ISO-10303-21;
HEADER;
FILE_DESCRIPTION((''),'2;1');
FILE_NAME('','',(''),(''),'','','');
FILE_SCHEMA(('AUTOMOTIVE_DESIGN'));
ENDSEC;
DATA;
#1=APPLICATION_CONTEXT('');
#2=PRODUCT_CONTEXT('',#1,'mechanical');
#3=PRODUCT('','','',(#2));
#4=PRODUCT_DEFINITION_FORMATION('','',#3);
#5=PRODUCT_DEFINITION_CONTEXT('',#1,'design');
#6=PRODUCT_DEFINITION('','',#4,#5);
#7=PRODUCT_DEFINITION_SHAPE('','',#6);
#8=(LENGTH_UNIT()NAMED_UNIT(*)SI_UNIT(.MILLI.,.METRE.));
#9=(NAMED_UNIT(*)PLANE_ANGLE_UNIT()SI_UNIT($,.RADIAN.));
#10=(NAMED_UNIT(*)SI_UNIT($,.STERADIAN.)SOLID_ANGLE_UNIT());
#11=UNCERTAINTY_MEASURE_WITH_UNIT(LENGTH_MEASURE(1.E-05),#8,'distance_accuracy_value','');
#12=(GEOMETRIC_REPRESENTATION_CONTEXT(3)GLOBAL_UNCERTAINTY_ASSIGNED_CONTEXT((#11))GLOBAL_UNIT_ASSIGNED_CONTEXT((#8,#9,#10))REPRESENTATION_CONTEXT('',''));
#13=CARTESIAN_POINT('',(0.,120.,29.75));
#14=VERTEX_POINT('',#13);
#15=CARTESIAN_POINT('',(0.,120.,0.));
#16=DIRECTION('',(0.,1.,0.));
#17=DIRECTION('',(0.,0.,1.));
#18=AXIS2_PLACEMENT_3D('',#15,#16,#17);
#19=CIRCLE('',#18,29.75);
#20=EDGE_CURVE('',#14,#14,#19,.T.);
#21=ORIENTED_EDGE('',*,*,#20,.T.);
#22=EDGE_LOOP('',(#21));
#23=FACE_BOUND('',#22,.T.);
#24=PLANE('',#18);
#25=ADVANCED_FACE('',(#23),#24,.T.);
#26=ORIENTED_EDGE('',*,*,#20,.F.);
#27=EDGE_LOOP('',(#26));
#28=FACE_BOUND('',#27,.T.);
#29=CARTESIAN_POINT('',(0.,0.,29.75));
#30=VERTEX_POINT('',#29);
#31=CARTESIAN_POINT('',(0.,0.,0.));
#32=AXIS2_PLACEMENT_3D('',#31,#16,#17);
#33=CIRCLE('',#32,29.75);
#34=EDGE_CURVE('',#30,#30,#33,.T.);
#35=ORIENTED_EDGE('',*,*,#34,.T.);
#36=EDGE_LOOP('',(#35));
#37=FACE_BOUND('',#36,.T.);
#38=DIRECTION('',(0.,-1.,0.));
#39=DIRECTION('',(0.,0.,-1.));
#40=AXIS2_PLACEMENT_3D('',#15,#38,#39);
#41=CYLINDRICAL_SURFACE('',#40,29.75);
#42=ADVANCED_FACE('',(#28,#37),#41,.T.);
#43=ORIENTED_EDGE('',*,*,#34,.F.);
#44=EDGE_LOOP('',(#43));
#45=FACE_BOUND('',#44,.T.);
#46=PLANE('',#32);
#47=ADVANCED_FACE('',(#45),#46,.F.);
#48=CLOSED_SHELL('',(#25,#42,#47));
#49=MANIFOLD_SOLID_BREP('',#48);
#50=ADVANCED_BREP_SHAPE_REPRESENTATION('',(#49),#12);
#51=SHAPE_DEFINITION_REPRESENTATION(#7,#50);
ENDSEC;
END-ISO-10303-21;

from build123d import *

# Parameters (mm, degrees)
SKETCH1_R           = 29.75
BOSS_EXTRUDE1_DEPTH = 120


with BuildPart() as part:
    # Sketch1 → Boss-Extrude1 (new body)
    with BuildSketch(Plane(origin=(0, 0, 0), x_dir=(1, 0, 0), z_dir=(0, 1, 0))):
        with Locations(Location((0, 0, 0), (0, 0, 270))):
            Circle(SKETCH1_R)
    extrude(amount=BOSS_EXTRUDE1_DEPTH)


solid = part.part
